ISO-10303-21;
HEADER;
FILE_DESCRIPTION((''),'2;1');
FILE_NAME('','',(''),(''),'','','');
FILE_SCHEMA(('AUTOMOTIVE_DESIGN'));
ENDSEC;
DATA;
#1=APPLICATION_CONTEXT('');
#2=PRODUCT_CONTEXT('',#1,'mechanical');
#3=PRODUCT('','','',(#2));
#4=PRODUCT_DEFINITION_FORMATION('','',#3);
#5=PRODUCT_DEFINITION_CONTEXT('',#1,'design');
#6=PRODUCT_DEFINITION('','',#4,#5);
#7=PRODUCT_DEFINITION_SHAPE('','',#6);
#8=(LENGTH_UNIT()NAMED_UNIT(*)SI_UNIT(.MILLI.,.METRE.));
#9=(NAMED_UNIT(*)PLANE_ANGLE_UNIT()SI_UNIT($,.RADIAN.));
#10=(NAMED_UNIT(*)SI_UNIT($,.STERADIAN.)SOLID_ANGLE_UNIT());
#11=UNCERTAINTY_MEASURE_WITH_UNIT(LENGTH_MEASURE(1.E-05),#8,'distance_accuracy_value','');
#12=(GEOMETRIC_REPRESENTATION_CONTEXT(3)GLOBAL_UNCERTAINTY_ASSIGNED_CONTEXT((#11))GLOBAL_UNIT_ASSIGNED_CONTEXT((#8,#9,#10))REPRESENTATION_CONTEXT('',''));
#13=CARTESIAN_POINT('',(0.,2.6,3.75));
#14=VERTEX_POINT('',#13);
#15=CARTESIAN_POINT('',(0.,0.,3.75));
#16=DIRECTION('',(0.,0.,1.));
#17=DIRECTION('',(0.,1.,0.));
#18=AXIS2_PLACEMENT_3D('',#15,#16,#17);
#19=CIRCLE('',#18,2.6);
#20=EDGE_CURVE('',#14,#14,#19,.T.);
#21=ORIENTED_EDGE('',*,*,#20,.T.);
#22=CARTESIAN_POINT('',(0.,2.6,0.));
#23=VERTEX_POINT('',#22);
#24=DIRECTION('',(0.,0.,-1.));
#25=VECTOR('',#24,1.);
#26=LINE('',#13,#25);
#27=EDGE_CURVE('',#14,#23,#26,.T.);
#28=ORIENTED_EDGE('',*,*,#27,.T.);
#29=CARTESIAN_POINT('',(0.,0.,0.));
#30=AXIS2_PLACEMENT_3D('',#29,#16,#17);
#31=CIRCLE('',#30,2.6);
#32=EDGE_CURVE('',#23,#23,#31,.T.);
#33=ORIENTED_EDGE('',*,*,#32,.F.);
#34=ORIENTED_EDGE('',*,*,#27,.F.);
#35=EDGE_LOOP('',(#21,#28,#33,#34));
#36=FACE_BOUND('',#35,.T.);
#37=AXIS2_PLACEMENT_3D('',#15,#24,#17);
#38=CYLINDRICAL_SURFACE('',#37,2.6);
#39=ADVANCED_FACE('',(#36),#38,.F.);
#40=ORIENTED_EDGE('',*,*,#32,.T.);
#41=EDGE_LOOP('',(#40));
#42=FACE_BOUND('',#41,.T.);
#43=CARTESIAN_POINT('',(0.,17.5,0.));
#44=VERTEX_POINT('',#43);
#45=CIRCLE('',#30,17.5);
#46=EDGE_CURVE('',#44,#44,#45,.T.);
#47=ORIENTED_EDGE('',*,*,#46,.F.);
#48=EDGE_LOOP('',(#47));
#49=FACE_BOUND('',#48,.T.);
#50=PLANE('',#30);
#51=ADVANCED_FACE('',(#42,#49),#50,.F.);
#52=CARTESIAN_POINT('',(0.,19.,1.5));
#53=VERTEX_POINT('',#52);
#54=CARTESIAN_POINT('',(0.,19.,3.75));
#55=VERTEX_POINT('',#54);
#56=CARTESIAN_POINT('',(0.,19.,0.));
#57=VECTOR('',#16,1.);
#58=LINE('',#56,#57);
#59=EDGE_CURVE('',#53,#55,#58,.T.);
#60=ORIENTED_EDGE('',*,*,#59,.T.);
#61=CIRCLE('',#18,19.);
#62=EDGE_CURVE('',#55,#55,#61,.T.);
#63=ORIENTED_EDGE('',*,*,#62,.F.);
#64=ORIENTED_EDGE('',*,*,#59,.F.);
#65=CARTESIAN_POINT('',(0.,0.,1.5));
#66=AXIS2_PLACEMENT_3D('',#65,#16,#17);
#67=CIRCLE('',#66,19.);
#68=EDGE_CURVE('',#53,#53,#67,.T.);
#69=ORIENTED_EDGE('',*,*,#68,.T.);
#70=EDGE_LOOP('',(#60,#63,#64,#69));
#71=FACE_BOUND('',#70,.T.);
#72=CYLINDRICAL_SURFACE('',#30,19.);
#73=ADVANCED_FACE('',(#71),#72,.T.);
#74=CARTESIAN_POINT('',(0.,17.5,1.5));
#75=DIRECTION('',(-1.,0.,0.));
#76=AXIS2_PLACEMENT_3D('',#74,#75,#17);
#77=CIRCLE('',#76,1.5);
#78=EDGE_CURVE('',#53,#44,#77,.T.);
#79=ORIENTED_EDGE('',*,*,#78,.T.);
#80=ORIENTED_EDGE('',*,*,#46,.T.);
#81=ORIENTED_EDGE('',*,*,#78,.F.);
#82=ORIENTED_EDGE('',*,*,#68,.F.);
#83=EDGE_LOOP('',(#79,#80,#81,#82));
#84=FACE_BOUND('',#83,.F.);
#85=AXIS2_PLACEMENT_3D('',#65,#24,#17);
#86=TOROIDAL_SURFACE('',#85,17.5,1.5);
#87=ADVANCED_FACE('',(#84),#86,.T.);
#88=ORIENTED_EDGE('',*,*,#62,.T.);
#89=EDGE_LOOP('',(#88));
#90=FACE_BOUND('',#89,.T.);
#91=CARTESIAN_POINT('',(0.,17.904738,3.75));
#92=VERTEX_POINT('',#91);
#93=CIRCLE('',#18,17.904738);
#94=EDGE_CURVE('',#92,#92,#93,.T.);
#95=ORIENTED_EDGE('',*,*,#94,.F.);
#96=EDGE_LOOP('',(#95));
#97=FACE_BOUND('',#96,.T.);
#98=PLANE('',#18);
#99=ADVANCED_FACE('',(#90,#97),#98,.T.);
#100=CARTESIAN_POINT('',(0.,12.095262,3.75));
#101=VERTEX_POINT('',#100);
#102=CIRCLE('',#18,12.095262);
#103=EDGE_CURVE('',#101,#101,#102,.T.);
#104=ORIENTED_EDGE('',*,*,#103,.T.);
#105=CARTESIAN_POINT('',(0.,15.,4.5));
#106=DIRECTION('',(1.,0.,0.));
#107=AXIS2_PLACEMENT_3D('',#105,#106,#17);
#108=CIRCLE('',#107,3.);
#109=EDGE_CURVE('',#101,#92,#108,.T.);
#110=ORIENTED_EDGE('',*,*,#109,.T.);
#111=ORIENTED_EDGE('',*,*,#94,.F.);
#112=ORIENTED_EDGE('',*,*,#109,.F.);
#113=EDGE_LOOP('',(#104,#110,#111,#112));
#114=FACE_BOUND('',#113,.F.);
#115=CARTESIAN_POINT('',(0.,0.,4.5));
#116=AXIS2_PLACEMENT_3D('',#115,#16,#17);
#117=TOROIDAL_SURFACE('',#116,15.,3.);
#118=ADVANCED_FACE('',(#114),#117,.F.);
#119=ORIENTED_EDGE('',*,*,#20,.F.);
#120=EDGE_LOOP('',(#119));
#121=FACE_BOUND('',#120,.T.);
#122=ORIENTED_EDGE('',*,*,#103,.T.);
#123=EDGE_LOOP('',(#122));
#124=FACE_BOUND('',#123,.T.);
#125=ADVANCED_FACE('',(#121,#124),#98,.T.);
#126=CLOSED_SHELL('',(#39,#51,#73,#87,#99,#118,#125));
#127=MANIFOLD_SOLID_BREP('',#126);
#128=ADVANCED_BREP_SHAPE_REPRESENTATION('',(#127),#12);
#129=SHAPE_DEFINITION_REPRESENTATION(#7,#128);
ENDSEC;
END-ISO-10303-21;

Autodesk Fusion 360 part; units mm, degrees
sketch "Sketch1" plane through (0, 0, 0) normal (1, 0, 0) x (0, 1, 0)
  line L0 (0, 0) -> (15, 0) construction
  line L1 (15, 0) -> (15, 4.5) construction
  circle A0 centre (15, 4.5) radius 3
  line L2 (15, 0) -> (11, 0) construction
  line L3 (11, 0) -> (19, 0)
  line L4 (19, 0) -> (19, 3.75)
  line L5 (19, 3.75) -> (11, 3.75)
  line L6 (11, 3.75) -> (2.6, 3.75)
  line L7 (2.6, 3.75) -> (2.6, 0)
  line L8 (2.6, 0) -> (11, 0)
  dimension "d1" = 15
  dimension "d2" = 4.5
  dimension "d3" = 6
  dimension "d4" = 4
  dimension "d5" = 8
  dimension "d6" = 3.75
  dimension "d7" = 2.6
revolve "Revolve1" add sketch "Sketch1" angle 360 about axis through (0, 0, 1.75) along (0, 0, 1) contours A0 L3 L4 L5 L6 L7 L8
fillet "Fillet1" radius 1.5 1 edges at (-17.7142, 6.8707, 0)
